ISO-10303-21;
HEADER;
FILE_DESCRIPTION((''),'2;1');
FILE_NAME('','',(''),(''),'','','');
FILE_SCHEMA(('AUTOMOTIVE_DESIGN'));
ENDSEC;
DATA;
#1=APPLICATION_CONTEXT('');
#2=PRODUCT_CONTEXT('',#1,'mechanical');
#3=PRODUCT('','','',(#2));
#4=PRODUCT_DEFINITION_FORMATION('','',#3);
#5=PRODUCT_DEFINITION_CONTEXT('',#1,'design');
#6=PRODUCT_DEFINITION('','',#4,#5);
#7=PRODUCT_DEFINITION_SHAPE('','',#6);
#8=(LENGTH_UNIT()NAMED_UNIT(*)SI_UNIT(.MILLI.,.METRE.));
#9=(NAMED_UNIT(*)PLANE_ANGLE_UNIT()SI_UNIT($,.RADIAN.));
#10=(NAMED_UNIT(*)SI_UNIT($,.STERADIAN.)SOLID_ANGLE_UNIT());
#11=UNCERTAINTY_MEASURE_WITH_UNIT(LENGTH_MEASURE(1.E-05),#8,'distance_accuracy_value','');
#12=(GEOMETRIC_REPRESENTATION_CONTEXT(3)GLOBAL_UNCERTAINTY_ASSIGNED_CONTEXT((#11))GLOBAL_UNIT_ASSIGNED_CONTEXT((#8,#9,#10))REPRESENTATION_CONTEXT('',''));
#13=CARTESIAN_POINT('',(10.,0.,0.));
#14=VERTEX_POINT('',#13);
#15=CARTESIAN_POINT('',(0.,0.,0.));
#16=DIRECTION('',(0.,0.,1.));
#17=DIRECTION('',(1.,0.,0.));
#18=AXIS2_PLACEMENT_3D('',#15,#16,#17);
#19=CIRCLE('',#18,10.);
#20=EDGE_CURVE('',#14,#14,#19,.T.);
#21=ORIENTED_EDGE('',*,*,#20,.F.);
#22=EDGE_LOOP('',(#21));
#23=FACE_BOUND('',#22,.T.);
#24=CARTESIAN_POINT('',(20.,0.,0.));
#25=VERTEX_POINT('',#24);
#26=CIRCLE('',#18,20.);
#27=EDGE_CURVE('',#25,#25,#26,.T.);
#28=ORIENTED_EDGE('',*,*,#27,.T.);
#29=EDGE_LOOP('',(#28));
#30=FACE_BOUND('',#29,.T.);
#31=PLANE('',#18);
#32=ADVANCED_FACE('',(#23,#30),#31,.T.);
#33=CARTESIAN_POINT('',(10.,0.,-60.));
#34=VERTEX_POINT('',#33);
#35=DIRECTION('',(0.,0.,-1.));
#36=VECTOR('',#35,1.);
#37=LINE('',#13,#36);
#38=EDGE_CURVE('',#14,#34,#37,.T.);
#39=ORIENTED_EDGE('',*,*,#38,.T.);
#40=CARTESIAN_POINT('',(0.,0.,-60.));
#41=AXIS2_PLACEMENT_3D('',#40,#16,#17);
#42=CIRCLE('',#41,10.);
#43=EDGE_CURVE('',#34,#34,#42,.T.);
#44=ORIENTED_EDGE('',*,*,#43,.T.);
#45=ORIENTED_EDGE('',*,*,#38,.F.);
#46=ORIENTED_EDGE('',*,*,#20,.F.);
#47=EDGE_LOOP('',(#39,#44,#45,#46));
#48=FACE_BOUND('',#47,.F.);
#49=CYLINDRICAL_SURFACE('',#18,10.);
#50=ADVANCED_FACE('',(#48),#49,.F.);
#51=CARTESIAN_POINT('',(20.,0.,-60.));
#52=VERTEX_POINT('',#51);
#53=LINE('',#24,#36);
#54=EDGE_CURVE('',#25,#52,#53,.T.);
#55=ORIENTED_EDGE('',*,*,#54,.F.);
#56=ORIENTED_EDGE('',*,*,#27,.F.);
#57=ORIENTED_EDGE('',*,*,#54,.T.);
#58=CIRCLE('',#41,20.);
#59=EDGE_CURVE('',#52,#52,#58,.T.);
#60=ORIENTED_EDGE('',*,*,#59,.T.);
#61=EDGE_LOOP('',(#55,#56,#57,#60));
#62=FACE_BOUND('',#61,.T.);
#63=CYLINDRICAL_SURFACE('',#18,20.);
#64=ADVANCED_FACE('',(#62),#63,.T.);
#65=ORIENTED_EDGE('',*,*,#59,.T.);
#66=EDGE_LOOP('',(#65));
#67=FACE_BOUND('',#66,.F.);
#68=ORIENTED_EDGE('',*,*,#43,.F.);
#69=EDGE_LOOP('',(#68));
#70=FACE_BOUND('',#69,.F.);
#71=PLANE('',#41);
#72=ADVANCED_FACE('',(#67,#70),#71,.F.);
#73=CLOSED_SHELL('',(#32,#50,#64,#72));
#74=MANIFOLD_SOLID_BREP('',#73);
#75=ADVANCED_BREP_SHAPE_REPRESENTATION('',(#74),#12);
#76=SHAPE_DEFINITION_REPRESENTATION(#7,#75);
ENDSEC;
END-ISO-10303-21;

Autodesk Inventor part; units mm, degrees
ref_plane "YZ Plane" through (0, 0, 0) normal (1, 0, 0) x (0, 1, 0)
ref_plane "XZ Plane" through (0, 0, 0) normal (0, 1, 0) x (-1, 0, 0)
ref_plane "XY Plane" through (0, 0, 0) normal (0, 0, 1) x (1, 0, 0)
sketch "Sketch1" plane through (0, 0, 0) normal (0, 0, 1) x (1, 0, 0)
  circle A0 centre (0, 0) radius 20
  circle A1 centre (0, 0) radius 10
  dimension "d0" = 40
  dimension "d1" = 20
extrude "Extrusion1" add sketch "Sketch1" against normal blind 60
properties part number "Grain"
